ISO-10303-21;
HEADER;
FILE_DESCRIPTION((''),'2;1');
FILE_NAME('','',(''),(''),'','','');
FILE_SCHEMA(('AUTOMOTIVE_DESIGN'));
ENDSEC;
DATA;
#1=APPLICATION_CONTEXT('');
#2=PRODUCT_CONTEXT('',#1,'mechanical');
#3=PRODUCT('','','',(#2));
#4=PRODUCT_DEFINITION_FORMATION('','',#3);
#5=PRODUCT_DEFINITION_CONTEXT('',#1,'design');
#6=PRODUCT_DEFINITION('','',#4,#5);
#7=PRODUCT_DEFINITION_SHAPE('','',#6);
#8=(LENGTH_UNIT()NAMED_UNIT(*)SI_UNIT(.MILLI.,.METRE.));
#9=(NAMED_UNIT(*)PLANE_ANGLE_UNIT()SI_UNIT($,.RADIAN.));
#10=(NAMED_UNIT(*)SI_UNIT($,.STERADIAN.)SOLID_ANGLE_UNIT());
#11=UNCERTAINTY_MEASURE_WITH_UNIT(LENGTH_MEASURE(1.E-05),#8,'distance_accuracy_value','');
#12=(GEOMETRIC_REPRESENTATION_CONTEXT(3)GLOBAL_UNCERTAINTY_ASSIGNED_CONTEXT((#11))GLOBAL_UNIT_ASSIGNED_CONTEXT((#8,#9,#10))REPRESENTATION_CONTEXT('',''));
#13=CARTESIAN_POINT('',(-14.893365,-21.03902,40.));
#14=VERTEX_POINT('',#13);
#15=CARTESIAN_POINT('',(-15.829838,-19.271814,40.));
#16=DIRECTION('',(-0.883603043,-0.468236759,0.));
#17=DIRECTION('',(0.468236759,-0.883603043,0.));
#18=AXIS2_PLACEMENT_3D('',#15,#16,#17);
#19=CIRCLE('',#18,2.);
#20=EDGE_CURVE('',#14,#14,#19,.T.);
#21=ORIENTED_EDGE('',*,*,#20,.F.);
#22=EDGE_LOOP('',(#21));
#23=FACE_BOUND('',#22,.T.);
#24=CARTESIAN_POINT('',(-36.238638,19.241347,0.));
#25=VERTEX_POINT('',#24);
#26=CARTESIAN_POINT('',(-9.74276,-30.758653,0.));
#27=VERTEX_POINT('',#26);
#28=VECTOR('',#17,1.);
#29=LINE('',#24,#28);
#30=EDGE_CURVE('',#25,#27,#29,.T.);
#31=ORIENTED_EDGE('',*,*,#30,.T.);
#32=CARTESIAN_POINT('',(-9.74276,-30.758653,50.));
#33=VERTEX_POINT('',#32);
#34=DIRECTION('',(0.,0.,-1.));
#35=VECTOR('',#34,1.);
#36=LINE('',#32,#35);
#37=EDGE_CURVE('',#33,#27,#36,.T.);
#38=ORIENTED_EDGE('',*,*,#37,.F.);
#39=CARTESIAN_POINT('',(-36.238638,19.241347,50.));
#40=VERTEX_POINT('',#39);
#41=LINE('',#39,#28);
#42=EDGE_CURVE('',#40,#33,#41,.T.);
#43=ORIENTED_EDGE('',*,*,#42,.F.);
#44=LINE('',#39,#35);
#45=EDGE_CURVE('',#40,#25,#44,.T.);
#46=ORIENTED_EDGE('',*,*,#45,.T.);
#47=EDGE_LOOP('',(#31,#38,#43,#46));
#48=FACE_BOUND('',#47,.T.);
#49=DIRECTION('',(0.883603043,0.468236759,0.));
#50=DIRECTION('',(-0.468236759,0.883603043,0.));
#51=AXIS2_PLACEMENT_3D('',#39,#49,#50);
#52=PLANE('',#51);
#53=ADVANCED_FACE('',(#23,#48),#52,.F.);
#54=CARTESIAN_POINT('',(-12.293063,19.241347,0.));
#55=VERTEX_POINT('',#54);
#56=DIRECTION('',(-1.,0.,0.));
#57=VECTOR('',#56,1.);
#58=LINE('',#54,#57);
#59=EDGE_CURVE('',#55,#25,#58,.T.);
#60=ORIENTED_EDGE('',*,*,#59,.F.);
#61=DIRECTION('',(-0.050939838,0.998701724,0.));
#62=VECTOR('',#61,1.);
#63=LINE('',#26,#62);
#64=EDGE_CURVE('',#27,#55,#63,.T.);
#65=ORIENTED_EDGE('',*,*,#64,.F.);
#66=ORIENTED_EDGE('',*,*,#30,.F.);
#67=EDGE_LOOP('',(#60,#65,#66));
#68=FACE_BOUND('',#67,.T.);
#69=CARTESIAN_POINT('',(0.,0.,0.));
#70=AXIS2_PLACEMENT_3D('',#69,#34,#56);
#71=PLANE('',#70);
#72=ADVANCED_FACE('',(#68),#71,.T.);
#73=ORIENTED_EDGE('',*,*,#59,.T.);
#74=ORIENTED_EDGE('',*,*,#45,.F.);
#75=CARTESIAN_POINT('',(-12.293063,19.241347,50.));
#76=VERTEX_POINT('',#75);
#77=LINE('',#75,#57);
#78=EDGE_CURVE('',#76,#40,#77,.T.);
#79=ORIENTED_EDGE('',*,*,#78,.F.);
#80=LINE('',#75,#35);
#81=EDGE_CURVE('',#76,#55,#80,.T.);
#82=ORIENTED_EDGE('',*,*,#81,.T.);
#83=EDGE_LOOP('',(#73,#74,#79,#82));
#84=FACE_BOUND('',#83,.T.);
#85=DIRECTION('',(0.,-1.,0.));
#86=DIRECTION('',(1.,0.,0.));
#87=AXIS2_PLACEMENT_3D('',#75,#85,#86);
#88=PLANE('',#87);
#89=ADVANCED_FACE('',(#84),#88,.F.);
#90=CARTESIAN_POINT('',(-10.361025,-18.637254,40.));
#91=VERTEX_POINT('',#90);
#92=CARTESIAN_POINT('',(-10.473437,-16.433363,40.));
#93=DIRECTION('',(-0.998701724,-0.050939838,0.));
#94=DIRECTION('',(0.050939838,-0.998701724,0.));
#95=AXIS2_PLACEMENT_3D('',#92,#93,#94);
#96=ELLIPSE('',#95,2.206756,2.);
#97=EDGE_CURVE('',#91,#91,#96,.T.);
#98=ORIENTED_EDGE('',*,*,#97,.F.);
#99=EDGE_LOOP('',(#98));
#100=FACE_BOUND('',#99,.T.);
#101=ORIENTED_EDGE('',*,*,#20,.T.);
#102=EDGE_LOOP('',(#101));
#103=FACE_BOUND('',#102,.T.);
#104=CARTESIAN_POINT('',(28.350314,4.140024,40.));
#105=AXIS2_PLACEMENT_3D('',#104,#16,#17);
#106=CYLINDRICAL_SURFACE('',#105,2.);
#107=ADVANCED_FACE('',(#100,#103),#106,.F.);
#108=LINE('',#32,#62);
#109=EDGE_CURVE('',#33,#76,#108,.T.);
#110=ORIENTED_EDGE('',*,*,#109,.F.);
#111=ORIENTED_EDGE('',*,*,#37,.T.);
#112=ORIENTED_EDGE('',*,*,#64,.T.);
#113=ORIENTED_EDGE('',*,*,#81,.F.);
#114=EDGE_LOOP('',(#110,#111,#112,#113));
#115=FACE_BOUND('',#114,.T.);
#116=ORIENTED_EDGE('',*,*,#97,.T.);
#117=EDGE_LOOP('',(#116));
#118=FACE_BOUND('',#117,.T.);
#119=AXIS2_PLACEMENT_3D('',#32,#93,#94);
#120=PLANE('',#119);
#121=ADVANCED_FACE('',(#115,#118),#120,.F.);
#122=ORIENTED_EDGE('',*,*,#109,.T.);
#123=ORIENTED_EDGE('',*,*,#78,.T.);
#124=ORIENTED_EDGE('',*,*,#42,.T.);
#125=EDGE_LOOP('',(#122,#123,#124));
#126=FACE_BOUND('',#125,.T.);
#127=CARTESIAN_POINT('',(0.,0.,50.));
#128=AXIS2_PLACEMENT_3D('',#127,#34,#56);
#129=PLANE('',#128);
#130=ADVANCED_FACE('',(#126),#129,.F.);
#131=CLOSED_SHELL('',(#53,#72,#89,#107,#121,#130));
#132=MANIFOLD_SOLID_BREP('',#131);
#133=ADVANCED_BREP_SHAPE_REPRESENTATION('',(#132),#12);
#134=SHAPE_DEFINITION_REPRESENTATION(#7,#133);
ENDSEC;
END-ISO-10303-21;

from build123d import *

# Parameters (mm, degrees)
BOSS_EXTRUDE1_DEPTH = 50
SKETCH2_R           = 2
CUT_EXTRUDE1_DEPTH  = 50


with BuildPart() as part:
    # Sketch1 → Boss-Extrude1 (new body)
    with BuildSketch(Plane.XY):
        Polygon((-36.238637744, 19.241346543), (-9.742760301, -30.758653457), (-12.293063224, 19.241346543), align=None)
    extrude(amount=BOSS_EXTRUDE1_DEPTH)

    # Sketch2 → Cut-Extrude1 (cut)
    with BuildSketch(Plane(origin=(-20.332646925, -10.77462642, 0), x_dir=(0, 0, 1), z_dir=(-0.8836030430860086, -0.4682367587547406, 0))):
        with Locations(Location((40, -9.616521291, 0), (0, 0, 270))):
            Circle(SKETCH2_R)
    extrude(amount=-CUT_EXTRUDE1_DEPTH, mode=Mode.SUBTRACT)


solid = part.part
